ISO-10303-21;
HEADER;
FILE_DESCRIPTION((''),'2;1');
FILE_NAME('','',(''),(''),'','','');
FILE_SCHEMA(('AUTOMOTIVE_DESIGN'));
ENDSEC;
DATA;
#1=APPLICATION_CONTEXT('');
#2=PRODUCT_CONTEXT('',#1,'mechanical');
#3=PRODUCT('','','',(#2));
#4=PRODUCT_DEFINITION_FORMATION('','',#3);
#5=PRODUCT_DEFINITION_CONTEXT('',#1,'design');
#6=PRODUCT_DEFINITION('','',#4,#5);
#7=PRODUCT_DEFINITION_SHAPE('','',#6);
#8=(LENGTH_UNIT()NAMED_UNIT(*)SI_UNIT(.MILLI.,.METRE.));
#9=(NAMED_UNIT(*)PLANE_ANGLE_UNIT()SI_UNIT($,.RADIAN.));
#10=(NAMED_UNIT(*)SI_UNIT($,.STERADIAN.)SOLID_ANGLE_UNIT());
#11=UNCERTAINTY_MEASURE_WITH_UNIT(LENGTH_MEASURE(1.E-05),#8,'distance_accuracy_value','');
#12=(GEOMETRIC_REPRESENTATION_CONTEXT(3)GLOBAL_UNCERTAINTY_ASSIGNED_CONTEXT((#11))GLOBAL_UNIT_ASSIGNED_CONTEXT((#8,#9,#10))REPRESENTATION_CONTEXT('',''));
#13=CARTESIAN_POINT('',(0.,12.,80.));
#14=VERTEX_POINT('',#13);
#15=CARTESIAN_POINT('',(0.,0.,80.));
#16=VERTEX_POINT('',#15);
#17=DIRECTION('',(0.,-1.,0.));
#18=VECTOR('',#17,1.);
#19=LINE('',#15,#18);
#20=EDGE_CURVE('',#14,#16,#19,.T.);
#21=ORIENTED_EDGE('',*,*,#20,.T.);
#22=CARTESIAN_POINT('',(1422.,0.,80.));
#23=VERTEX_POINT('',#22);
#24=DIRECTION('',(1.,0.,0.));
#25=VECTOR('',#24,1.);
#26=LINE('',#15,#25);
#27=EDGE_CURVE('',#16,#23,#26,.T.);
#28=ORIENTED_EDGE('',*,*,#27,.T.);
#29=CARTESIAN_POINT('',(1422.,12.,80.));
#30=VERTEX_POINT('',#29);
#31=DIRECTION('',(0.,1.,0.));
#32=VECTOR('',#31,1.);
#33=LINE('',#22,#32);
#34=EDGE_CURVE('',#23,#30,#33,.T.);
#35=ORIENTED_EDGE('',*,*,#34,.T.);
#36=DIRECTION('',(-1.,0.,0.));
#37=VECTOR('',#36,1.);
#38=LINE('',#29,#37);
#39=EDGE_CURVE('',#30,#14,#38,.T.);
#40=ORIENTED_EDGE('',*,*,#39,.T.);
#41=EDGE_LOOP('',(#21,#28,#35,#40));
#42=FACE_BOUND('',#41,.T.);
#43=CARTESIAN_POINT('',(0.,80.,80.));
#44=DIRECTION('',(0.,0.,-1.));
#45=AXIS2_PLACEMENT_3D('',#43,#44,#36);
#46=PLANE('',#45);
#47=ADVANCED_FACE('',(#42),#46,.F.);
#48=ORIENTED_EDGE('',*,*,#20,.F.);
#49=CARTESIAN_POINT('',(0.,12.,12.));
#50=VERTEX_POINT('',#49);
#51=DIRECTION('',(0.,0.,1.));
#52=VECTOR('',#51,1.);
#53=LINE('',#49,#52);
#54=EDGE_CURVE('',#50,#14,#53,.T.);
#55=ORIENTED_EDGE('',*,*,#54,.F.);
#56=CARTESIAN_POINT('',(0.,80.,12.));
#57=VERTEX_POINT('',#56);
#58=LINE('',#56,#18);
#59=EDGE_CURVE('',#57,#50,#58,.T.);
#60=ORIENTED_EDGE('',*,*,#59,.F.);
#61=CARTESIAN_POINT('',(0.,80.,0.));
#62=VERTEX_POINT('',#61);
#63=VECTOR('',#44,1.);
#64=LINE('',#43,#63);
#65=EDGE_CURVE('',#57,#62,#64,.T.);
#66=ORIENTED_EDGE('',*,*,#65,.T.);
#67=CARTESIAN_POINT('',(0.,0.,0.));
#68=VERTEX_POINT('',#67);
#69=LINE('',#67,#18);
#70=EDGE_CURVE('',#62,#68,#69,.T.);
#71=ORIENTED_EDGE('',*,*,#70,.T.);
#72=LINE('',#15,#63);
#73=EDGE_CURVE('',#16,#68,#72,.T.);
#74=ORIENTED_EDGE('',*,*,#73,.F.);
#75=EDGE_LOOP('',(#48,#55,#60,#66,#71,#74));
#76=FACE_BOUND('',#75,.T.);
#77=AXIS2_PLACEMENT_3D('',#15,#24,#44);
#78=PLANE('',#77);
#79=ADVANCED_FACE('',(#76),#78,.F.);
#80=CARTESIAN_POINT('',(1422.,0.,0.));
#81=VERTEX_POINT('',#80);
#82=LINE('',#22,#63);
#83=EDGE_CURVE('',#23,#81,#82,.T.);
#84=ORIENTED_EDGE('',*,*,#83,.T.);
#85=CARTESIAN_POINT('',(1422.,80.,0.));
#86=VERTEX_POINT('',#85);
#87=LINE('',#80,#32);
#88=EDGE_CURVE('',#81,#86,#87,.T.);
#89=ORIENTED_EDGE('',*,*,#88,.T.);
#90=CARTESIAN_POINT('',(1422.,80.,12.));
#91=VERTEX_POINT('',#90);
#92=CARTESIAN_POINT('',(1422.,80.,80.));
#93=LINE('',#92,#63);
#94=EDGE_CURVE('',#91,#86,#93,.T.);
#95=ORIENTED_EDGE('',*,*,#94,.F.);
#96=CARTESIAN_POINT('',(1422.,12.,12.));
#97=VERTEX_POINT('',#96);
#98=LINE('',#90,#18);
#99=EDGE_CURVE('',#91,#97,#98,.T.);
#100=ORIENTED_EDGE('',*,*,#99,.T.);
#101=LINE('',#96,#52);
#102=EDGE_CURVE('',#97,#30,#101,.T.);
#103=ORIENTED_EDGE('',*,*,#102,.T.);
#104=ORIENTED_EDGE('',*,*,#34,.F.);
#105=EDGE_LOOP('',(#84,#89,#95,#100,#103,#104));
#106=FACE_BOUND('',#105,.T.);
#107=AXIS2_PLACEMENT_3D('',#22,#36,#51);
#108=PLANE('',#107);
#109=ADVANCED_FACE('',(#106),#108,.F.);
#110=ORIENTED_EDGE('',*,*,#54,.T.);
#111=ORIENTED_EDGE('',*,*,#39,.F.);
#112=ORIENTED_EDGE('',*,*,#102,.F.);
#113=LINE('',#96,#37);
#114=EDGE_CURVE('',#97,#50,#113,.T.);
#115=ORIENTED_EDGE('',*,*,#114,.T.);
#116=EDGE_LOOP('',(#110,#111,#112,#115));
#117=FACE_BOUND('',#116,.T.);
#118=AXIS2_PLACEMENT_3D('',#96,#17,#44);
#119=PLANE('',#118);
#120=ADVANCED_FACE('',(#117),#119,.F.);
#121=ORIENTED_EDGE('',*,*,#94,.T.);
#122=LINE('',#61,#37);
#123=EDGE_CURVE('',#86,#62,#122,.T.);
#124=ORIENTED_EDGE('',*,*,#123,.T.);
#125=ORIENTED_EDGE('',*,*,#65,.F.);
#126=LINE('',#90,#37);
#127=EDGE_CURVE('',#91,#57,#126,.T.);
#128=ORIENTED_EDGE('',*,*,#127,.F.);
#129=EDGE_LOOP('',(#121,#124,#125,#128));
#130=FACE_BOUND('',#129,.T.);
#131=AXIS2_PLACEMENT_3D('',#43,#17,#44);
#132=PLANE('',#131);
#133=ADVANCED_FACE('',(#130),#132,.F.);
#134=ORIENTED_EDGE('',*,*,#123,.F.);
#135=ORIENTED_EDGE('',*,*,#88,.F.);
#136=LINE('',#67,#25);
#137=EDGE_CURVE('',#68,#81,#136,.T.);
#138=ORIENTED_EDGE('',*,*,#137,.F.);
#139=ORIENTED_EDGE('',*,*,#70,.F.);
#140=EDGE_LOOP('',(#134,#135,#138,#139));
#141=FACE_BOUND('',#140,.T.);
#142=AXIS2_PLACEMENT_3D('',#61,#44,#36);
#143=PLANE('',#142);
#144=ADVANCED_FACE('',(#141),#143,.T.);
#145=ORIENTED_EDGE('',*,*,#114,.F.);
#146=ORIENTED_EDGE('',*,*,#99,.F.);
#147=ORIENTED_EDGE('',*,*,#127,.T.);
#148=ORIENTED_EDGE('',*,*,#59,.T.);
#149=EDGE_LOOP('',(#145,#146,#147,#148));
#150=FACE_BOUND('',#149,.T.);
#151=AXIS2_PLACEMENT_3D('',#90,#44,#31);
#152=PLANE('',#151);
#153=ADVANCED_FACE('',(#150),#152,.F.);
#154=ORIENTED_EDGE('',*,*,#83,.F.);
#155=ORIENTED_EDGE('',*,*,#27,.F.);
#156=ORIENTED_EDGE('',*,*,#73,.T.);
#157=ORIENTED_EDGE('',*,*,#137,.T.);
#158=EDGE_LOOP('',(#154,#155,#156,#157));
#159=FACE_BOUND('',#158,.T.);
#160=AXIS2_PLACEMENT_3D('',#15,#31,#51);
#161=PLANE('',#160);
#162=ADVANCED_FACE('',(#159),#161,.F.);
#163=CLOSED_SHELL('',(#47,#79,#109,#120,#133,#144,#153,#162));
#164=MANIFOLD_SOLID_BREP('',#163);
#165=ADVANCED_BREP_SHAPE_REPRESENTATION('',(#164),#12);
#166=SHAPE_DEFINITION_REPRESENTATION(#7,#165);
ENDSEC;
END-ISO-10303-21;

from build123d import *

# Parameters (mm, degrees)
SKETCH_1_W          = 1422
SKETCH_1_H          = 80
EXTRUDE_1_DEPTH     = 80
SKETCH_3_W          = 68
SKETCH_3_H          = 68
CUT_EXTRUDE_2_DEPTH = 1427.49360321


with BuildPart() as part:
    # 草图1 → 拉伸1 (new body)
    with BuildSketch(Plane.XY):
        with Locations((711, 40)):
            Rectangle(SKETCH_1_W, SKETCH_1_H)
    extrude(amount=EXTRUDE_1_DEPTH)

    # 草图3 → 拉伸2 (cut, through all)
    with BuildSketch(Plane.ZY):
        with Locations((46, 46)):
            Rectangle(SKETCH_3_W, SKETCH_3_H)
    extrude(amount=-CUT_EXTRUDE_2_DEPTH, mode=Mode.SUBTRACT)


solid = part.part
